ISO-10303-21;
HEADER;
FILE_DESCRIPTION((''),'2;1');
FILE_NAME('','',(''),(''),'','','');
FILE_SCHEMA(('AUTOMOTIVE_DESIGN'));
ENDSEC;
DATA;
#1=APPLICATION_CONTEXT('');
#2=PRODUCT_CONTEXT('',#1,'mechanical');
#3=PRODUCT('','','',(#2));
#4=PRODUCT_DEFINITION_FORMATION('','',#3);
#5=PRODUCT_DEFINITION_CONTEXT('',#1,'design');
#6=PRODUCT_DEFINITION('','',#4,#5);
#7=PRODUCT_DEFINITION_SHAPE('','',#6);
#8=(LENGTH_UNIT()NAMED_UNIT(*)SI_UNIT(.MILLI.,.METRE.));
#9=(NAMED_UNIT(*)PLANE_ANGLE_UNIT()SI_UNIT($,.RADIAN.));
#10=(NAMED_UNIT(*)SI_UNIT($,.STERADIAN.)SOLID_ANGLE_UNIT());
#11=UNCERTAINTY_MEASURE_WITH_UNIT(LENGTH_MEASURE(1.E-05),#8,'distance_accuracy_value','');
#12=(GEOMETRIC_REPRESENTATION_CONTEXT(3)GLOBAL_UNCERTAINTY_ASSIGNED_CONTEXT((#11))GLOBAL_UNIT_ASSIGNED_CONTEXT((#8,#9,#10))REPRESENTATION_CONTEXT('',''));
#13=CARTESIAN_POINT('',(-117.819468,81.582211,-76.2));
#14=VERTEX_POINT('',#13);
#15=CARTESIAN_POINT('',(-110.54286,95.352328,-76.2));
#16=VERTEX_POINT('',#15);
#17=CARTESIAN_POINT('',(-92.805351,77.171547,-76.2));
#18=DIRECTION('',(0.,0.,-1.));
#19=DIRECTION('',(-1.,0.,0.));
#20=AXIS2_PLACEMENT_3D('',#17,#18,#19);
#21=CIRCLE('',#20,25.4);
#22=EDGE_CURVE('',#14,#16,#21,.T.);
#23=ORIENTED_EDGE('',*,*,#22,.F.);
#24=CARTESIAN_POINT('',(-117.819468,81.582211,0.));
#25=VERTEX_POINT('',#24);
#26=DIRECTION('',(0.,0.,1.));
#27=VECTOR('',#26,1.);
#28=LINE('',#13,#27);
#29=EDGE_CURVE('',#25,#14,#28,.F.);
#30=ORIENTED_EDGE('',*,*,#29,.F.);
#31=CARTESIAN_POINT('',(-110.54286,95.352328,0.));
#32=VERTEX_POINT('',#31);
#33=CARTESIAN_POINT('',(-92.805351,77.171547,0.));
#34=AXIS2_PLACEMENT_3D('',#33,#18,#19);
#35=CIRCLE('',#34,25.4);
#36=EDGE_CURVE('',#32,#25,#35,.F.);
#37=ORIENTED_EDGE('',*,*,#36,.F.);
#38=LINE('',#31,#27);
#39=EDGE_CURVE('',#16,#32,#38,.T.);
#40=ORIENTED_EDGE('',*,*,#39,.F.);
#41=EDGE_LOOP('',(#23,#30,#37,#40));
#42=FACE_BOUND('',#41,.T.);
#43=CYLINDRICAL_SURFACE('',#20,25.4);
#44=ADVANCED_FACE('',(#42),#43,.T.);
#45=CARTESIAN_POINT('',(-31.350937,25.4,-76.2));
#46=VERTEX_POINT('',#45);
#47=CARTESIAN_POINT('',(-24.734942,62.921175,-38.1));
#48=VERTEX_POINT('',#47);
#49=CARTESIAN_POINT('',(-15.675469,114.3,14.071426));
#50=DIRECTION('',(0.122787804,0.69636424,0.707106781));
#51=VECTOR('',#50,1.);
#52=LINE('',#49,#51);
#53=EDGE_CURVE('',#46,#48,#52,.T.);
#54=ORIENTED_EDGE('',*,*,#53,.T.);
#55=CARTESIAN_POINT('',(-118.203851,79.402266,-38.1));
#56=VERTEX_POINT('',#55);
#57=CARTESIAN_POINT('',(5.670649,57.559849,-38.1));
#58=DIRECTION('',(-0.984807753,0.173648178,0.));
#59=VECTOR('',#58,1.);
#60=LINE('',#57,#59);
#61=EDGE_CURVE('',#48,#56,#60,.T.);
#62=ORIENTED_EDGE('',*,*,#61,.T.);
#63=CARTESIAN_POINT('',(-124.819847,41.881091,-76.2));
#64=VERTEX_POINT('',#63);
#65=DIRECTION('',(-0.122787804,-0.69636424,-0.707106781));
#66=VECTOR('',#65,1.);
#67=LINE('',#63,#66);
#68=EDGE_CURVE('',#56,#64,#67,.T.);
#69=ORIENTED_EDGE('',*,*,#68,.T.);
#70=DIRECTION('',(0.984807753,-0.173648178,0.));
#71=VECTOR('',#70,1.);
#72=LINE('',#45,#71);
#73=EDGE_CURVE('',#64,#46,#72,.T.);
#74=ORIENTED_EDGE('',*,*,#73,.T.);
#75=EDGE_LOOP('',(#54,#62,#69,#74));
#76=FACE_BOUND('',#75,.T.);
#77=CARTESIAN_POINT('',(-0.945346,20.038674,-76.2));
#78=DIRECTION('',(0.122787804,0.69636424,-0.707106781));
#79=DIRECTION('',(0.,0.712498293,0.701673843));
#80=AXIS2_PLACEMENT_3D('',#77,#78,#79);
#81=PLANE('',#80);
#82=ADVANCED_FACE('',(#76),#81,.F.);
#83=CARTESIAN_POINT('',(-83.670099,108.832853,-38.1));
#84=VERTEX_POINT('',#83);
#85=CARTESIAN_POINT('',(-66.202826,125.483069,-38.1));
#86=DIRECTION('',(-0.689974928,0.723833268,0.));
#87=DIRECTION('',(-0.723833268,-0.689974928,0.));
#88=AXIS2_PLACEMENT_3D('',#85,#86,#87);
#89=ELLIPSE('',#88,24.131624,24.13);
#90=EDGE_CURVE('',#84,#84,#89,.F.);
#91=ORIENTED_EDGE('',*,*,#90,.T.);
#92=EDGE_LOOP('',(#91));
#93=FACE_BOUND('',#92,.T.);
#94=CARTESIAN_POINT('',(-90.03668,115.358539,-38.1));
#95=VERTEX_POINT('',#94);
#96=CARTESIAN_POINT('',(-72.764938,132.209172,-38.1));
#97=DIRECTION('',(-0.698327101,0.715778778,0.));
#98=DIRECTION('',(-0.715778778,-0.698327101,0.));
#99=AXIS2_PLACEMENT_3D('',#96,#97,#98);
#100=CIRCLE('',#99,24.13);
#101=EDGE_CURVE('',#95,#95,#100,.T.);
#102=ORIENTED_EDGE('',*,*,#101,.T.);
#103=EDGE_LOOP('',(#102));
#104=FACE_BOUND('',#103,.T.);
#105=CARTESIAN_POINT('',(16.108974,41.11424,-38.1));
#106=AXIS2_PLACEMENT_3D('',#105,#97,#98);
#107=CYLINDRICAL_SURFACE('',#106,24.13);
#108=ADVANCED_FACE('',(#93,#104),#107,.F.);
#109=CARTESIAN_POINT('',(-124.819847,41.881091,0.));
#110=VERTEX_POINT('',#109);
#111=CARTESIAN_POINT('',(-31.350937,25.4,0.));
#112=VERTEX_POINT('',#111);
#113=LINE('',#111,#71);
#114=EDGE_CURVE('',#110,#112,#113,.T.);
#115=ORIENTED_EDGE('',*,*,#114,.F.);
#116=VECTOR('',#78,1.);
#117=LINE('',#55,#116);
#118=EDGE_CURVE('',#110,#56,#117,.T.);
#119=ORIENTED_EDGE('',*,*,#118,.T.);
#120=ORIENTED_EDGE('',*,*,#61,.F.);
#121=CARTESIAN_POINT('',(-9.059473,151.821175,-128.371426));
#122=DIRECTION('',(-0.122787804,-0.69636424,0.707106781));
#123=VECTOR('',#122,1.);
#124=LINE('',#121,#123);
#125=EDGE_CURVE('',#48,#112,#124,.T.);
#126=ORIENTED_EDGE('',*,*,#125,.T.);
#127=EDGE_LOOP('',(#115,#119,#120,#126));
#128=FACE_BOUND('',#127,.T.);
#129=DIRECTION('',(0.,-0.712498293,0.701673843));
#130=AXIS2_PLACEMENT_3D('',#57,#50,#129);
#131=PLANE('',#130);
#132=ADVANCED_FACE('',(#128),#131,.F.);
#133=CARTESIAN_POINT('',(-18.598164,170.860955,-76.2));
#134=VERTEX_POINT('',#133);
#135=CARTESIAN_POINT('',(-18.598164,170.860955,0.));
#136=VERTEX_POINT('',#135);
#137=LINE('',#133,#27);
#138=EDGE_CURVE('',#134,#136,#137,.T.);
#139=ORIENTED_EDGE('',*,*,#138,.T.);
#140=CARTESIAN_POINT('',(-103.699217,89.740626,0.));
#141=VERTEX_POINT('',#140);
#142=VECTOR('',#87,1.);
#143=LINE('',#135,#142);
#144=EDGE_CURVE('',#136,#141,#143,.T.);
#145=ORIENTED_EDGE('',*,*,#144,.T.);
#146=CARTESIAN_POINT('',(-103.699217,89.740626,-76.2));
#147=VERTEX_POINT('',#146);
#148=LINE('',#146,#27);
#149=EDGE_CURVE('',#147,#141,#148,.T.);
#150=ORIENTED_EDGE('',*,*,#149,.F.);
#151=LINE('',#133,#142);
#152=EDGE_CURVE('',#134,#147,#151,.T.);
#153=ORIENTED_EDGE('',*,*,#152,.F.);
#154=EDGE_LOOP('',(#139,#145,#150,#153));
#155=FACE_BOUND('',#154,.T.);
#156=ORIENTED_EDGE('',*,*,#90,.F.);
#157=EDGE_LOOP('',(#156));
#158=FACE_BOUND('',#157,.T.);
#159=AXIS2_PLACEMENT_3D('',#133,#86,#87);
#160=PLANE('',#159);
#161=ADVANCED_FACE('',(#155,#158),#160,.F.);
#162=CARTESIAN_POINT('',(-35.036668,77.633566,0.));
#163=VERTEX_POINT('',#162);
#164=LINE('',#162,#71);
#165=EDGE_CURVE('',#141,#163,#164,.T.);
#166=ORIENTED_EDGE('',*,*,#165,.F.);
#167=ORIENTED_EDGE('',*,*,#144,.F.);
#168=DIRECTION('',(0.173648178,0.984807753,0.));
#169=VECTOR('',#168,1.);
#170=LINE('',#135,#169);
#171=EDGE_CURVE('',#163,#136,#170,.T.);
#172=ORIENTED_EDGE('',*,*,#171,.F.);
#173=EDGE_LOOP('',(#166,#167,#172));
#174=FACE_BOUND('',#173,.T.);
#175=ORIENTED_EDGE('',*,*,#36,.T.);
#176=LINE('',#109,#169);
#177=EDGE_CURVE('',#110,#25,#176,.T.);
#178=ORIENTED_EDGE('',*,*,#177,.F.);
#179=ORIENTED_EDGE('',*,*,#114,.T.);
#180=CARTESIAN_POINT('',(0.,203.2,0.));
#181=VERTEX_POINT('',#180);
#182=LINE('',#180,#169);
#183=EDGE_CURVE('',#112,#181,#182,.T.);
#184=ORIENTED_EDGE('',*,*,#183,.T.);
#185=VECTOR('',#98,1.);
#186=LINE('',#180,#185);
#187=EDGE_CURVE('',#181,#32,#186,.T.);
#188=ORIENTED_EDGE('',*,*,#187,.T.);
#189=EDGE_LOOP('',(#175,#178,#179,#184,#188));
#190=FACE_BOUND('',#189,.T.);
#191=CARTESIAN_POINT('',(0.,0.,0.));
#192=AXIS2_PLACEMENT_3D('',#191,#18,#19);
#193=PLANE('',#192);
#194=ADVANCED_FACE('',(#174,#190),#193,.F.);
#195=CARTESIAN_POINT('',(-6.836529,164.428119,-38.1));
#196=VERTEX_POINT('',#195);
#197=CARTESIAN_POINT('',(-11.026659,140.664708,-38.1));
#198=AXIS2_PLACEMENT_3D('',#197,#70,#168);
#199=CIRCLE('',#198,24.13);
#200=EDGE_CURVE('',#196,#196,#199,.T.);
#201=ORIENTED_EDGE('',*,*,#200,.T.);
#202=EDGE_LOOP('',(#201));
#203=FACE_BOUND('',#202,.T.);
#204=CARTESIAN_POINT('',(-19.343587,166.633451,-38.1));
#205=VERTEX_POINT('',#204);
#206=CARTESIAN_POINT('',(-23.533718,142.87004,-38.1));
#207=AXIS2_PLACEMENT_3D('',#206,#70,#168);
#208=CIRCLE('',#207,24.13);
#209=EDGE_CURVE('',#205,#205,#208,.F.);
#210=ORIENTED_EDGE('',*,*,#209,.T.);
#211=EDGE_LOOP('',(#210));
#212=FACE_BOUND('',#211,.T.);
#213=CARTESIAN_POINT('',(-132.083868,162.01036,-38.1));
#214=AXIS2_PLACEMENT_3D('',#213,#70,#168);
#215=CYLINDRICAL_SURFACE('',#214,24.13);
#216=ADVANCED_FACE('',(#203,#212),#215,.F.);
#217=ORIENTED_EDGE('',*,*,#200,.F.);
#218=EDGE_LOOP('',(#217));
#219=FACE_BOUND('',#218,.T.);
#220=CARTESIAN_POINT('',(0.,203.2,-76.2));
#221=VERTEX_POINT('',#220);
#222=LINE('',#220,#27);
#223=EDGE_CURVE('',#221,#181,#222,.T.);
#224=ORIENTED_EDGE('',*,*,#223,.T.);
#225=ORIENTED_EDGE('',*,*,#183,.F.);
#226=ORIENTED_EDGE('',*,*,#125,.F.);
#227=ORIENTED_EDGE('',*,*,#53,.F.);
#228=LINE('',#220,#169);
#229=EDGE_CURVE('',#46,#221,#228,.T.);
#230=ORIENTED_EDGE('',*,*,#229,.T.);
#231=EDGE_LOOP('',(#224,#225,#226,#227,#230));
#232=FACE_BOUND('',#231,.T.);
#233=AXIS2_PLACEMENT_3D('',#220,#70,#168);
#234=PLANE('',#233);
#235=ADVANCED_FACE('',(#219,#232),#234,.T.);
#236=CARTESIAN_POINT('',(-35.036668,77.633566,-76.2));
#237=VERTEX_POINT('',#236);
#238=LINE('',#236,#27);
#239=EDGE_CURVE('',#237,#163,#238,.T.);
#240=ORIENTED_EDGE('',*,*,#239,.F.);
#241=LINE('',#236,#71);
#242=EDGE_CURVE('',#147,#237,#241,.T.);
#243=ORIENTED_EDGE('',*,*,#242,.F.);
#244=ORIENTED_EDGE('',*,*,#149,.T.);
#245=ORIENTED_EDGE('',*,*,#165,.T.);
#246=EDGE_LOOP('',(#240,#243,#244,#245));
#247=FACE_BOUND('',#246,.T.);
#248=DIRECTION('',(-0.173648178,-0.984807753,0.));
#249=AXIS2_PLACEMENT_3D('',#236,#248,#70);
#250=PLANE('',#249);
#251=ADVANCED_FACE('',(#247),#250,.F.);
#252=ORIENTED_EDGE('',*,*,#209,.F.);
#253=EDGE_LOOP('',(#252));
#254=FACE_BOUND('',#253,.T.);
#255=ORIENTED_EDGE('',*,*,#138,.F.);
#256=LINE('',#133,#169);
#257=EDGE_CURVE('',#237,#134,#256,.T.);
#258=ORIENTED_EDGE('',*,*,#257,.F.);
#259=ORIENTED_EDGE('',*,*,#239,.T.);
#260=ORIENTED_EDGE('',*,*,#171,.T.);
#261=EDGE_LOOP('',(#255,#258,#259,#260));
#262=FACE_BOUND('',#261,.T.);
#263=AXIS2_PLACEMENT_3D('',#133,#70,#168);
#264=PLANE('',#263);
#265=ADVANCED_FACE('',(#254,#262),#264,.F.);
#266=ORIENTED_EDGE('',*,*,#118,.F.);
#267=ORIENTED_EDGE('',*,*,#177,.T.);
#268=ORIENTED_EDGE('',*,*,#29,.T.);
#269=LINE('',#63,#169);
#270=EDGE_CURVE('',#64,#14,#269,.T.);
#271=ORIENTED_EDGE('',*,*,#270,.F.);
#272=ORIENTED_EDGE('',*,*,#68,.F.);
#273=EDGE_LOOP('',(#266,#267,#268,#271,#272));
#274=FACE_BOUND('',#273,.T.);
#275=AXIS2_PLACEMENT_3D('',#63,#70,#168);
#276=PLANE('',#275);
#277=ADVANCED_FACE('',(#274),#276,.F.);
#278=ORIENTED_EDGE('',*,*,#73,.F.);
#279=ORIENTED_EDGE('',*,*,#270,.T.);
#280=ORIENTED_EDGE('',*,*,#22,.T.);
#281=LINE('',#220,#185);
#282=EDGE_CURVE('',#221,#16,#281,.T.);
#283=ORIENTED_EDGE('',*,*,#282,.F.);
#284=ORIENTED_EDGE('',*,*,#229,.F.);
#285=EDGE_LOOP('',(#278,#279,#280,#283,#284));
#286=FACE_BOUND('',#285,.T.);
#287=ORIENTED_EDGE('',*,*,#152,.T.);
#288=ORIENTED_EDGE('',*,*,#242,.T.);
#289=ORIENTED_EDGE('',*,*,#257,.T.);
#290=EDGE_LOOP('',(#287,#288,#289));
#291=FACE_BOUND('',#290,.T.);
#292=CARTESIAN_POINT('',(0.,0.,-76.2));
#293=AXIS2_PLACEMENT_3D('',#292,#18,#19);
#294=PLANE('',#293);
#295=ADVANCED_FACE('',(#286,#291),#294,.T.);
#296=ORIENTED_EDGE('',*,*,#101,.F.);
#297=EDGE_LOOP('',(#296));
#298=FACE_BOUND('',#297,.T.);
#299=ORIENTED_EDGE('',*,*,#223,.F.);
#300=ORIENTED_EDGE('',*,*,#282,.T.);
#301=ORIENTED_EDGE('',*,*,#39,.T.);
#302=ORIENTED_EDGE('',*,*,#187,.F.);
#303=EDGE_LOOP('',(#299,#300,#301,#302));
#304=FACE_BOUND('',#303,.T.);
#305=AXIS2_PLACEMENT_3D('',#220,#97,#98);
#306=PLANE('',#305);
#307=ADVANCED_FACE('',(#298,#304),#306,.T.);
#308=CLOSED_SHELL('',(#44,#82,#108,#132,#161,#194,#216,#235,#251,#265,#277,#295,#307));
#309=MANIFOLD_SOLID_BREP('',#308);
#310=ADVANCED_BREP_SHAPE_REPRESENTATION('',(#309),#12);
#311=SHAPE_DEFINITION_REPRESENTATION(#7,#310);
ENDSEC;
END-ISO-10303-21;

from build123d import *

# Parameters (mm, degrees)
BOSS_EXTRUDE1_DEPTH   = 76.2
CUT_EXTRUDE3_DEPTH    = 77.2
CUT_EXTRUDE4_DEPTH    = 77.2
CUT_EXTRUDE5_DEPTH    = 126.785464248
SLANTED_CIRCLE_REACH  = 129.265
SKETCH10_R            = 24.13
BACK_CIRCLE_CUT_REACH = 124.924
SKETCH11_R            = 24.13
FILLET2_R             = 25.4


with BuildPart() as part:
    # Sketch2 → Boss-Extrude1 (new body)
    with BuildSketch(Plane.XY):
        Polygon((0, 203.2), (-31.35093717, 25.4), (-159.146418514, 47.933791374), align=None)
    extrude(amount=-BOSS_EXTRUDE1_DEPTH)

    # Sketch6 → Cut-Extrude3 (cut, through all)
    with BuildSketch(Plane.XY):
        Polygon((-18.598164113, 170.860955123), (-35.036668208, 77.633565709), (-103.699217462, 89.740625707), align=None)
    extrude(amount=-CUT_EXTRUDE3_DEPTH, mode=Mode.SUBTRACT)

    # Sketch8 → Cut-Extrude4 (cut, through all)
    with BuildSketch(Plane.XY):
        Polygon((-124.819846836, 41.881090632), (-116.398812065, 89.639152029), (-159.146418514, 47.933791374), align=None)
    extrude(amount=-CUT_EXTRUDE4_DEPTH, mode=Mode.SUBTRACT)

    # Sketch9 → Cut-Extrude5 (cut, through all)
    with BuildSketch(Plane(origin=(-128.218156228, 22.60832036, 0), x_dir=(0, 0, 1), z_dir=(-0.984807753, 0.173648178, 0))):
        Polygon((-76.2, 19.570083819), (-38.1, 57.670083819), (0, 19.570083819), align=None)
    extrude(amount=-CUT_EXTRUDE5_DEPTH, mode=Mode.SUBTRACT)

    # Sketch10 → Slanted Circle (cut, up to next)
    with BuildSketch(Plane(origin=(-101.569056599, 104.107337538, 0), x_dir=(0.715778778, 0.698327101, 0), z_dir=(-0.698327101, 0.715778778, 0)), mode=Mode.PRIVATE) as slanted_circle_sk1:
        with Locations((40.241649701, 38.1)):
            Circle(SKETCH10_R)
    slanted_circle_tool1 = extrude(slanted_circle_sk1.sketch, amount=-SLANTED_CIRCLE_REACH, mode=Mode.PRIVATE) & part.part
    add(slanted_circle_tool1.solids().sort_by_distance((-72.764938, 132.209172, -38.1))[0], mode=Mode.SUBTRACT)

    # Sketch11 → Back Circle Cut (cut, up to next)
    with BuildSketch(Plane(origin=(-34.749246562, 6.127229728, 0), x_dir=(0, 0, -1), z_dir=(0.984807753, -0.173648178, 0)), mode=Mode.PRIVATE) as back_circle_cut_sk1:
        with Locations((38.1, 136.612935412)):
            Circle(SKETCH11_R)
    back_circle_cut_tool1 = extrude(back_circle_cut_sk1.sketch, amount=-BACK_CIRCLE_CUT_REACH, mode=Mode.PRIVATE) & part.part
    add(back_circle_cut_tool1.solids().sort_by_distance((-11.026659, 140.664708, -38.1))[0], mode=Mode.SUBTRACT)

    # Fillet2
    fillet2_edges = [part.edges().sort_by_distance(p)[0] for p in [
        (-116.398812065, 89.639152029, -38.1),
    ]]
    fillet(fillet2_edges, radius=FILLET2_R)


solid = part.part
